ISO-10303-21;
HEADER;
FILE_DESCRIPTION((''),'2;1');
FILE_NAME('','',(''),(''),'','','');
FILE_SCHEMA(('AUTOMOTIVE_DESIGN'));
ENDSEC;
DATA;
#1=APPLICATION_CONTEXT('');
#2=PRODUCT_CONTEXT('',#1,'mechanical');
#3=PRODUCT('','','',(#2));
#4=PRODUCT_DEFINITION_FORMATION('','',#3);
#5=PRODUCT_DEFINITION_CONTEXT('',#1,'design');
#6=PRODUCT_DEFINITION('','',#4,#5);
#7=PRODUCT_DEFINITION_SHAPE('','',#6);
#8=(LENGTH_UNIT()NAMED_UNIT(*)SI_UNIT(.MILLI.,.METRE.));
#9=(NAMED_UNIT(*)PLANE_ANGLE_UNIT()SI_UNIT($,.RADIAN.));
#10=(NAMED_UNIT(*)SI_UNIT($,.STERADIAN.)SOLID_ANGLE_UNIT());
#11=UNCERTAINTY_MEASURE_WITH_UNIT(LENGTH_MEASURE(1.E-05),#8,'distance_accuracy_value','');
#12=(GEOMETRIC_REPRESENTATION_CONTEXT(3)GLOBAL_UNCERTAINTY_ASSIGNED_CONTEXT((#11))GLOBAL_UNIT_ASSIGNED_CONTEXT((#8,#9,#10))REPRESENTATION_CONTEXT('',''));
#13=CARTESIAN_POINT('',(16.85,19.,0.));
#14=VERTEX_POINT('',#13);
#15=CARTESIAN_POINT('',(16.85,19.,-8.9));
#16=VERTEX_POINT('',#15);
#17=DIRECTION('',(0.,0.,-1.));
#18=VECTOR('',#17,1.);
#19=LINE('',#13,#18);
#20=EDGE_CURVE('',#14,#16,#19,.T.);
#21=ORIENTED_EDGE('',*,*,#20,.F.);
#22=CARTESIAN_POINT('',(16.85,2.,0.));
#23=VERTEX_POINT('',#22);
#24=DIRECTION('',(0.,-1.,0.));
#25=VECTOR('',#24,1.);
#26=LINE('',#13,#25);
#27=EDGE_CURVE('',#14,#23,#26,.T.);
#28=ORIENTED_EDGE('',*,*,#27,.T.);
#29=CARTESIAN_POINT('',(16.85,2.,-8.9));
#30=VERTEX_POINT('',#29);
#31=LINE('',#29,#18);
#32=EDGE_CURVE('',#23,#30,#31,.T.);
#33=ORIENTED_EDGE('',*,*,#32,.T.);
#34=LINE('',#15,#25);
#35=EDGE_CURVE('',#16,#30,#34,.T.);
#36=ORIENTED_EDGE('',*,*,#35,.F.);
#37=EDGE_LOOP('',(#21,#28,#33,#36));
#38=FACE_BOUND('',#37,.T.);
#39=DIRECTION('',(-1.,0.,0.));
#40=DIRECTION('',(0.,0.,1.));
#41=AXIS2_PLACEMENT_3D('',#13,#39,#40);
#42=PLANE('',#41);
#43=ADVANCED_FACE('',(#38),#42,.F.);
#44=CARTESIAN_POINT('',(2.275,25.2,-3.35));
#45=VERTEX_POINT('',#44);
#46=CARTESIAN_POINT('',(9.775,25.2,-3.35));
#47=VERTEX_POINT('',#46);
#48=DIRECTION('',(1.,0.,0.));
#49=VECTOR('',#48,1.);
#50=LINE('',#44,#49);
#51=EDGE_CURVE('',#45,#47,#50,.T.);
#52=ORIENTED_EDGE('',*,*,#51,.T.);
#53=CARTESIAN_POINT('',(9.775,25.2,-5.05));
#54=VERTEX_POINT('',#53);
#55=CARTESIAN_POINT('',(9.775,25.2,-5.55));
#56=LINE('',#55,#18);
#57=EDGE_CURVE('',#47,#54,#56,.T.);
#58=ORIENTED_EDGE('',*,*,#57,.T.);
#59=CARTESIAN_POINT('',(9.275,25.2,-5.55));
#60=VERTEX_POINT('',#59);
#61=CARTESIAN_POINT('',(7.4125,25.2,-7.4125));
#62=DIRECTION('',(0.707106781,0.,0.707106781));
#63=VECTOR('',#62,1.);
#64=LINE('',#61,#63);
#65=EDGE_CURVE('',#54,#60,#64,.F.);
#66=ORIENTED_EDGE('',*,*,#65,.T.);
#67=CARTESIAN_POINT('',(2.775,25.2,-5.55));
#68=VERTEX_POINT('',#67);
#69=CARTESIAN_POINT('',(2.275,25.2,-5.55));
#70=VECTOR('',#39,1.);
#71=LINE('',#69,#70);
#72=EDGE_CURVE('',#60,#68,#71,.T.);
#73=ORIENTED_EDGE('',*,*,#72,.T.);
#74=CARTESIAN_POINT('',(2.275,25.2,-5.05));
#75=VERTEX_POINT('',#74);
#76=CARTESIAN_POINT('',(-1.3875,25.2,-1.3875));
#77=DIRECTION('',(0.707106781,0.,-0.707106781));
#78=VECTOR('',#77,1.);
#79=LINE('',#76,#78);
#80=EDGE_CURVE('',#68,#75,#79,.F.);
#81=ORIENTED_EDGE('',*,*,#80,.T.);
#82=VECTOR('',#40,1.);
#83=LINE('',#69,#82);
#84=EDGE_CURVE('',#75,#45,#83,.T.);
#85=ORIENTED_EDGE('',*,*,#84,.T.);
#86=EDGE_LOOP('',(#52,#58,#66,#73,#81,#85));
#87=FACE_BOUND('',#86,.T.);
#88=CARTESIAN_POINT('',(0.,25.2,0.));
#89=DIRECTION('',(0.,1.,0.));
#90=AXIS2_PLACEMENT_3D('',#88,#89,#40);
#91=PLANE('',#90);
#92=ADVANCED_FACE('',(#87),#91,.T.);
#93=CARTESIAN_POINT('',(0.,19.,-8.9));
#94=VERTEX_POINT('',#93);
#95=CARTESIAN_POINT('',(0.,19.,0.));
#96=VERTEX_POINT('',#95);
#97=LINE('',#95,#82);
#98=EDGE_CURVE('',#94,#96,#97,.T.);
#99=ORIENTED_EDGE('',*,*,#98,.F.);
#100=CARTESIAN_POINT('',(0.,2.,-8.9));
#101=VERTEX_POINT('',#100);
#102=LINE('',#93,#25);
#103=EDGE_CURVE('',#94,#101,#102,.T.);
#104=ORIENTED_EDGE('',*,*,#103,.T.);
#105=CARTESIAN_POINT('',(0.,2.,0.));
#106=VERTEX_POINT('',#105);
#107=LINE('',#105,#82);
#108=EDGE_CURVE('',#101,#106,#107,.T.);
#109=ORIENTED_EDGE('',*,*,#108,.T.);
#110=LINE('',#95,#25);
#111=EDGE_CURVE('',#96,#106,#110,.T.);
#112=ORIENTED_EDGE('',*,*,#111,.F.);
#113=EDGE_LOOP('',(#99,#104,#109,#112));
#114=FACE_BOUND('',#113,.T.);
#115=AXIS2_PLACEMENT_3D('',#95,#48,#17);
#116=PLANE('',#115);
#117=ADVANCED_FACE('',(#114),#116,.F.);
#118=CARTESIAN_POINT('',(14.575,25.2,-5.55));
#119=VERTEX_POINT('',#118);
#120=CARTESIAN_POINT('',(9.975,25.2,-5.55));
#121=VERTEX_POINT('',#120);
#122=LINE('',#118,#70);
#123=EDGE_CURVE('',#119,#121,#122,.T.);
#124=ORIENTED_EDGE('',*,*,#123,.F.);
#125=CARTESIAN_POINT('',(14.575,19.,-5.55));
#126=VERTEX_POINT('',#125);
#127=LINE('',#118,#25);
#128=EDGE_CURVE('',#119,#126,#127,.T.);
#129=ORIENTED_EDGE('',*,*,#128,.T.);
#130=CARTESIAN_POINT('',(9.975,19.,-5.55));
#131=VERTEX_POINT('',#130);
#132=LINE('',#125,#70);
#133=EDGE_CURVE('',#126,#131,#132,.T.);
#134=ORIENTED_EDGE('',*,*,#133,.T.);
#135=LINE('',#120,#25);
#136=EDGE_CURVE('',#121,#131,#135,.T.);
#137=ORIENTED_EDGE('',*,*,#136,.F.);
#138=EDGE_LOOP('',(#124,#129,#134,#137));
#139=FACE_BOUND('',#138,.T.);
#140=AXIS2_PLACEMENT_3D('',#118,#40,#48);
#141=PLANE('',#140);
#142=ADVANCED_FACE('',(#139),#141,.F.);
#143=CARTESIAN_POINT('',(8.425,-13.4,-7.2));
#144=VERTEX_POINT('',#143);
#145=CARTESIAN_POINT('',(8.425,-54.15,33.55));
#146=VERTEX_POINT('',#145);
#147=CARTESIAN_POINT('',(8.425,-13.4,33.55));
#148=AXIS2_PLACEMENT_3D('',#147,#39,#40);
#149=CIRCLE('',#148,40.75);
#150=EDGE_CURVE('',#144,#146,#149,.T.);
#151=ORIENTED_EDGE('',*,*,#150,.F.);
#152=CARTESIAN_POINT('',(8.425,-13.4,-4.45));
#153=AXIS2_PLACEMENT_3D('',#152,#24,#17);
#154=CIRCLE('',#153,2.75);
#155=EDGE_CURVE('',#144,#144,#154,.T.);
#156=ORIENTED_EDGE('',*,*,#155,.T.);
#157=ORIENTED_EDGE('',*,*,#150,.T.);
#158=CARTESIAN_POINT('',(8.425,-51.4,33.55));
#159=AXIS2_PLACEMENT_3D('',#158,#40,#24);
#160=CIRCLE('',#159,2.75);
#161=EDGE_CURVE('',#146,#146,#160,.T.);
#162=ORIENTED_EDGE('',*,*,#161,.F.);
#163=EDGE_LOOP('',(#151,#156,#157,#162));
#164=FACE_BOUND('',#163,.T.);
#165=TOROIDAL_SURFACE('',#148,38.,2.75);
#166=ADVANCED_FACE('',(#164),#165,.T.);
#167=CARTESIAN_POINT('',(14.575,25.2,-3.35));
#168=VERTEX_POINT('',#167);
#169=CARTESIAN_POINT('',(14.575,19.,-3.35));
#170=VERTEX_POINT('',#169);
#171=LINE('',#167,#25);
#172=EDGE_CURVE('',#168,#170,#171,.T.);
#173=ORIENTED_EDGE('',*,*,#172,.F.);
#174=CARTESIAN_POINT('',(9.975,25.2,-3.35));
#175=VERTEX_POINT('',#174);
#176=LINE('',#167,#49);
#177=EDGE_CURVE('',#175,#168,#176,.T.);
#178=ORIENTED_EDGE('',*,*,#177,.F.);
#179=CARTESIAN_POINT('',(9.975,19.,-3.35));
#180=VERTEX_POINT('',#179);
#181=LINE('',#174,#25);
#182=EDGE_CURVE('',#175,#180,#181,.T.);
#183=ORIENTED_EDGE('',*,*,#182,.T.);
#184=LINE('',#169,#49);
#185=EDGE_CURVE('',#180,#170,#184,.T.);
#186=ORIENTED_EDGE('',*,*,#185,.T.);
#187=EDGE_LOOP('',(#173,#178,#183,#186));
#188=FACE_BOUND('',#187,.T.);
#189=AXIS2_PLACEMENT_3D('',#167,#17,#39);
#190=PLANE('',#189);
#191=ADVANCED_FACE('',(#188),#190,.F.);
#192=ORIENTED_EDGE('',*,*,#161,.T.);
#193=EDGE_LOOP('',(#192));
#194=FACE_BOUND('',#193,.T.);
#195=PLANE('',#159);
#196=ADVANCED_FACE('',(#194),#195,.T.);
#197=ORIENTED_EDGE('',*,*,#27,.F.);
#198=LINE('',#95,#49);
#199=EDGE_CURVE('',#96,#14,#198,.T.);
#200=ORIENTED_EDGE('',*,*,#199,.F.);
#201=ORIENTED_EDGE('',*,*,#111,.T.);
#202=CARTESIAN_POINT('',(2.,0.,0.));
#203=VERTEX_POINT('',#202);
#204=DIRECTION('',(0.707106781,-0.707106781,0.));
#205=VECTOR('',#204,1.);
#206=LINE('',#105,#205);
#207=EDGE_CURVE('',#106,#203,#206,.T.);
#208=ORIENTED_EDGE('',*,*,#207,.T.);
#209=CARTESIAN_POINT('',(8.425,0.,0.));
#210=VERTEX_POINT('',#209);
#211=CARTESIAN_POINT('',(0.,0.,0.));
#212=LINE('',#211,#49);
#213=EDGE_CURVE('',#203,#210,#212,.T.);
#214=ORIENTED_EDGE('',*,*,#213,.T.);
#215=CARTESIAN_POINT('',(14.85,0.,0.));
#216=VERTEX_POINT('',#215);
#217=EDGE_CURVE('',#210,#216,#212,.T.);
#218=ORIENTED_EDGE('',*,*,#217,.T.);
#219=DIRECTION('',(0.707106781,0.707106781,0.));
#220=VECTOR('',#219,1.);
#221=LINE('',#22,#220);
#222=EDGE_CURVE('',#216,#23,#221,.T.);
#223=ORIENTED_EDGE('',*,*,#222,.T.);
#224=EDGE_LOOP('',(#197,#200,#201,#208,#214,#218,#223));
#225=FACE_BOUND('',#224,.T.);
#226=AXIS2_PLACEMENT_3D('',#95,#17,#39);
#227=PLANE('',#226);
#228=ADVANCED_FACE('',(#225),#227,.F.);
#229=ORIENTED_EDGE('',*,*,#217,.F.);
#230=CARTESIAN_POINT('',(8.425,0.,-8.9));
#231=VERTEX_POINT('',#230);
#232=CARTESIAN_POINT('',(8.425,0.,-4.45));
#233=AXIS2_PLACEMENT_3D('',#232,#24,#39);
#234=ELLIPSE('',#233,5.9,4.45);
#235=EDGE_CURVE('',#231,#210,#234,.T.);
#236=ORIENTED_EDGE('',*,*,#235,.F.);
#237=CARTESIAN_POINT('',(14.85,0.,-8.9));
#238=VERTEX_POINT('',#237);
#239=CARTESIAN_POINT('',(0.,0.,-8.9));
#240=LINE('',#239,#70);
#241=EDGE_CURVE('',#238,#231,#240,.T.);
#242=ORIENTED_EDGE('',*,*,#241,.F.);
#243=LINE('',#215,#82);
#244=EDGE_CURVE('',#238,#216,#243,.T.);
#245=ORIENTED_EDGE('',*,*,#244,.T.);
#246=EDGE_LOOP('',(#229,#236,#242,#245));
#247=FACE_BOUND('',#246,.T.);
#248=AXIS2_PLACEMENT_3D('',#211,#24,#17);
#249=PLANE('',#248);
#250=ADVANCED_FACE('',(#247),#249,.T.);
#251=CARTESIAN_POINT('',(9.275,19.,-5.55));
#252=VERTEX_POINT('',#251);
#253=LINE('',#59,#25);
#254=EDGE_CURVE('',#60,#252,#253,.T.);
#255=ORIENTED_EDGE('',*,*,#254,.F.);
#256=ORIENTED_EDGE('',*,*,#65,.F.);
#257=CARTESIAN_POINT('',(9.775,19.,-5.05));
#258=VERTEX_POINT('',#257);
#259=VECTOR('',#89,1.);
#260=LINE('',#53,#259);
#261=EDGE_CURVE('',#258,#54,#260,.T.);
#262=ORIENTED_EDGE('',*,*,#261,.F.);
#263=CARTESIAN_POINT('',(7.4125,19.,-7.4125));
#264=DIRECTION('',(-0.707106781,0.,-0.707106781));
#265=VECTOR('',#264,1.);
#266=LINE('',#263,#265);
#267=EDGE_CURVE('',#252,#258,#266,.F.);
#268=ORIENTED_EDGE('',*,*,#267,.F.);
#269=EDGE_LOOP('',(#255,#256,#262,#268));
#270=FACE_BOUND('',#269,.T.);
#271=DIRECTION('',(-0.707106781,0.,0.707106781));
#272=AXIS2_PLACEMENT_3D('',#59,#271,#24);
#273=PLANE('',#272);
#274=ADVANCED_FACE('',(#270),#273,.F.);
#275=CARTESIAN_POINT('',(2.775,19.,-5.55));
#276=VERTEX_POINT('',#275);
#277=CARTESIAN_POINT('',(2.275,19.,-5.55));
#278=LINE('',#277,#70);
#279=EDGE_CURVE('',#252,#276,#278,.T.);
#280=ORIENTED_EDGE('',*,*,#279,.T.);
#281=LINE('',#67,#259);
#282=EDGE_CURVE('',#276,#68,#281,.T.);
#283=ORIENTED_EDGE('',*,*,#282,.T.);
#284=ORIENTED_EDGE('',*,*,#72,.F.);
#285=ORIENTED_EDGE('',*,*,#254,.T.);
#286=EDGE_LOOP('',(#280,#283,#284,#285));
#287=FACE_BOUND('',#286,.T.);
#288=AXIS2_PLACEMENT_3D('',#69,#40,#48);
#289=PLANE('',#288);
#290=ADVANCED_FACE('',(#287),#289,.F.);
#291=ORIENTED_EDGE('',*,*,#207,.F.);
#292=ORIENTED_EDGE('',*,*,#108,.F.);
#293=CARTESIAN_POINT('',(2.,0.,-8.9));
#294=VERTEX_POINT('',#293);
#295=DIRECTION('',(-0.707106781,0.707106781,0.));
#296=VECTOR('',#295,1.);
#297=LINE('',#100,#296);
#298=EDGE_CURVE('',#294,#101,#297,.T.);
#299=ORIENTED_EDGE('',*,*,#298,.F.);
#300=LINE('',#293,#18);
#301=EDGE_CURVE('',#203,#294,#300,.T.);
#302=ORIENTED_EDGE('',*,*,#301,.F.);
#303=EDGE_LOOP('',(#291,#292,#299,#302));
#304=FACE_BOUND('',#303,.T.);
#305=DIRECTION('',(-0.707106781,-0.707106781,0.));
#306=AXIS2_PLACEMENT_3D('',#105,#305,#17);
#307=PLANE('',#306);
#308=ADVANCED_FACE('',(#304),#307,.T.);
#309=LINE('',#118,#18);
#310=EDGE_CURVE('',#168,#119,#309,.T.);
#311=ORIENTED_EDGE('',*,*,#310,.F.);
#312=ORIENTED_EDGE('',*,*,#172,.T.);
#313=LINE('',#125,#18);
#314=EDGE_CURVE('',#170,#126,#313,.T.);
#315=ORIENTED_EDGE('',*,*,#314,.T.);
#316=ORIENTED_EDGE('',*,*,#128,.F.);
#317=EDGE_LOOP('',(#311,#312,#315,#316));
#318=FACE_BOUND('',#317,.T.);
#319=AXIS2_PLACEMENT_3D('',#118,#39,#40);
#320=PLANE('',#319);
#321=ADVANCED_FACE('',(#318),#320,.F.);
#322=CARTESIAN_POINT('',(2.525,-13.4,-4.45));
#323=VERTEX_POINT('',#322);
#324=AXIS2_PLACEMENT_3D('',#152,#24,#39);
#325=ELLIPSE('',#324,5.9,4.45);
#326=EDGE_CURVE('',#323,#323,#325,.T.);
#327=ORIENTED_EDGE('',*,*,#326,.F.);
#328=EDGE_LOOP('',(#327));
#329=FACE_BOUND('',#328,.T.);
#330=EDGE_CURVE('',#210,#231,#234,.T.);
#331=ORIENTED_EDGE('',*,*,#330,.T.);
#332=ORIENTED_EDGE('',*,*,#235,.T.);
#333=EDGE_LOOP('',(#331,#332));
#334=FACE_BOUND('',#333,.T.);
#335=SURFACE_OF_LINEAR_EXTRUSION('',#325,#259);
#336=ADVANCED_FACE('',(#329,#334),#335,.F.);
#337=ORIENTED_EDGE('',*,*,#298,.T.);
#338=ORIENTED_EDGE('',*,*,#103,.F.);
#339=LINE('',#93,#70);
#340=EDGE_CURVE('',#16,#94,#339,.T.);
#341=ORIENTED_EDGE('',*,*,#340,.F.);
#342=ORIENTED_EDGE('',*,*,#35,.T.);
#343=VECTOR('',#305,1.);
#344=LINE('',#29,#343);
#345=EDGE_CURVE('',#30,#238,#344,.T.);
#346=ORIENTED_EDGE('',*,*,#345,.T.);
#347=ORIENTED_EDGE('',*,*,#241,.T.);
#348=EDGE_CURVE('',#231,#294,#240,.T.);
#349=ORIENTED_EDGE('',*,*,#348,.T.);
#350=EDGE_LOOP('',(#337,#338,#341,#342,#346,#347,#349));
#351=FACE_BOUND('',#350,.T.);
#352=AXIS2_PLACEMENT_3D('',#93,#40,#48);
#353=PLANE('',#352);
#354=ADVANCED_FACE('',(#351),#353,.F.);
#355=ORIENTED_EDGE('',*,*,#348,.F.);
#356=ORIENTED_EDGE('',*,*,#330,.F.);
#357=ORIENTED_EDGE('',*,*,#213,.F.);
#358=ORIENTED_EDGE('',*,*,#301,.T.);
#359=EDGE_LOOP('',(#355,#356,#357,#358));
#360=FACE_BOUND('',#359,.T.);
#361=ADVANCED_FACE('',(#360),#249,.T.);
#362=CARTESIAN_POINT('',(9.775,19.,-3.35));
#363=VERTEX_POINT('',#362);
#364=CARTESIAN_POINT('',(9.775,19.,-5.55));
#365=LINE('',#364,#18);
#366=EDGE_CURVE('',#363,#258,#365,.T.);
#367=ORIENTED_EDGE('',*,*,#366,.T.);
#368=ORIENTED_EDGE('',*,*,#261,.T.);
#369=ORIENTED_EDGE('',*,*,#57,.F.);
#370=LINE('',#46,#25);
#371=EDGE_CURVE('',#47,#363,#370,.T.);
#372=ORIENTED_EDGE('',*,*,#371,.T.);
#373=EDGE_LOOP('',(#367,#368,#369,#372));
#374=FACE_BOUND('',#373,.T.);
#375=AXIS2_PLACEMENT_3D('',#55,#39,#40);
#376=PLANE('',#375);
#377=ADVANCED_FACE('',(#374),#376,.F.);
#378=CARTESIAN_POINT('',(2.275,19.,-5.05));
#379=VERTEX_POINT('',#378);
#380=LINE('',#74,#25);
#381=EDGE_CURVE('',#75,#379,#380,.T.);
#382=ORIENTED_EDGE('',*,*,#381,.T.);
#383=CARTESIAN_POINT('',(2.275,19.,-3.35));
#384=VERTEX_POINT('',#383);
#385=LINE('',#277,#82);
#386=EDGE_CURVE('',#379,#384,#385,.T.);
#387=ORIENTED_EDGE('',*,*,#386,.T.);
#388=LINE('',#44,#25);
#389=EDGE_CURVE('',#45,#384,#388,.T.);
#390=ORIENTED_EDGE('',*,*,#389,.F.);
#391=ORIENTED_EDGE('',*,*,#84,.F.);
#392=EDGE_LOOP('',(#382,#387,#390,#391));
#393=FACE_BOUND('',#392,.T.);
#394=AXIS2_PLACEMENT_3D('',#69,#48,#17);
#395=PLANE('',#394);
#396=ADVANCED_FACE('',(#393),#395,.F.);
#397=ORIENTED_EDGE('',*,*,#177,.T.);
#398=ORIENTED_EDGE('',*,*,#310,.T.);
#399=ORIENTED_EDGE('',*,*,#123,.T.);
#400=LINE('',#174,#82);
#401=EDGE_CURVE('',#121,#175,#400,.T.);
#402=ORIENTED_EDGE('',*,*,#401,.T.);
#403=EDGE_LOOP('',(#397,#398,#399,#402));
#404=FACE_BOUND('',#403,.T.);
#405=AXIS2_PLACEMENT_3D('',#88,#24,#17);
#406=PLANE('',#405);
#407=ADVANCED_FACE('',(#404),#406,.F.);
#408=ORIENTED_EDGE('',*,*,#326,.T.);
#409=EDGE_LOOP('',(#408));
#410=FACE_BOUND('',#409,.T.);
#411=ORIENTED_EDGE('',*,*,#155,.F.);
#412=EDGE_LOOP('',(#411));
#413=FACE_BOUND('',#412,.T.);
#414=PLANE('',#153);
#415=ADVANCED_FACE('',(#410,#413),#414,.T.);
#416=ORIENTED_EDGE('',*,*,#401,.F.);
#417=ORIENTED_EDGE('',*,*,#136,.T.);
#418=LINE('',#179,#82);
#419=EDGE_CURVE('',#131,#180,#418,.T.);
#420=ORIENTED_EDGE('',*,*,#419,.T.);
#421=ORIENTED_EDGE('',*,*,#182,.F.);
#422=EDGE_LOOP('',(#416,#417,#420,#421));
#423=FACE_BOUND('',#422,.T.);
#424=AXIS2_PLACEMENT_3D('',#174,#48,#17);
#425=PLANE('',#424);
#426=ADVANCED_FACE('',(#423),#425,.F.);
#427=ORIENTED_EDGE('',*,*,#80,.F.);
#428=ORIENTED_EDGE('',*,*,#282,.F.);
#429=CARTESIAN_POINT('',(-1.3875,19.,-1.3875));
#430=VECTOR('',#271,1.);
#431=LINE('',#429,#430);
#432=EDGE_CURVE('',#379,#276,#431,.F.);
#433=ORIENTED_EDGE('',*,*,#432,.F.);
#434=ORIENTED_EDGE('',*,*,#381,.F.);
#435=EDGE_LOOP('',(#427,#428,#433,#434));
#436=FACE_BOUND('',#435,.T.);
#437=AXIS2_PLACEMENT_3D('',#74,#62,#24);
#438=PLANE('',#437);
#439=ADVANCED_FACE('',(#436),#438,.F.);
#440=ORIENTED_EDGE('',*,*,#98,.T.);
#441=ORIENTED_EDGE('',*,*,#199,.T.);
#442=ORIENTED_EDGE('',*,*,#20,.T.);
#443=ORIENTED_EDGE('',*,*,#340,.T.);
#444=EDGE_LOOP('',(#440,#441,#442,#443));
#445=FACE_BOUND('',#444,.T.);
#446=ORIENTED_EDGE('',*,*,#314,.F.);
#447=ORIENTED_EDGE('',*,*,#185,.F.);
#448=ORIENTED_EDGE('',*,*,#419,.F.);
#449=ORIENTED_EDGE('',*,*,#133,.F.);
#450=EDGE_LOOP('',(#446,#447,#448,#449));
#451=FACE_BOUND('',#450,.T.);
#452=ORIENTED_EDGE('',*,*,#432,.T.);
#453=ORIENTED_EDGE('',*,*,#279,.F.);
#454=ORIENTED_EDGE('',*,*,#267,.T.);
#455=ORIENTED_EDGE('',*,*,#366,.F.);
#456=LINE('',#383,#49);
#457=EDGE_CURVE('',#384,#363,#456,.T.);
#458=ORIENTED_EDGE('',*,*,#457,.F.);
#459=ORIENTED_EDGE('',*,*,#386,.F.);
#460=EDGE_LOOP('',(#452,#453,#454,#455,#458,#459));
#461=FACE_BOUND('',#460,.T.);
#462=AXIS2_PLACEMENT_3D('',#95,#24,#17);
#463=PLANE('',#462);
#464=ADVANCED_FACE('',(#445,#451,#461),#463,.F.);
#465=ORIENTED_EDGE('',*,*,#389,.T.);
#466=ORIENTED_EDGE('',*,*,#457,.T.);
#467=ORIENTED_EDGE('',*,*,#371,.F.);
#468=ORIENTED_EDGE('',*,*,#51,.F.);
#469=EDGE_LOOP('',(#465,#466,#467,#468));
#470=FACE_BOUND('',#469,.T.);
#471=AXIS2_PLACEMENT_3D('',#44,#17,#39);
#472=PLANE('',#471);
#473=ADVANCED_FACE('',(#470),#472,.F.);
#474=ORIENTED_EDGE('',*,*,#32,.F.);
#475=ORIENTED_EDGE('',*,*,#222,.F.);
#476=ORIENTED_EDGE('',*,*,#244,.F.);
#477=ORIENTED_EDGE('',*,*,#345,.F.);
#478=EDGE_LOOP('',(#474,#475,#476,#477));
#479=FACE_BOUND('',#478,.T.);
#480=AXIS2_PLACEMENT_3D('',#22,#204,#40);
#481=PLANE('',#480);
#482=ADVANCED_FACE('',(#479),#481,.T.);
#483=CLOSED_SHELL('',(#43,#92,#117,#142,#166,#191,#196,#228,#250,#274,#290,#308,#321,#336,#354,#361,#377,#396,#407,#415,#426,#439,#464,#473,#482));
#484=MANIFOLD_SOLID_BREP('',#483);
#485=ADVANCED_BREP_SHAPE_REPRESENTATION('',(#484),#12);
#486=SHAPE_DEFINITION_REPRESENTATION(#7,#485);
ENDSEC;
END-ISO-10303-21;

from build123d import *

# Parameters (mm, degrees)
SKETCH1_W           = 16.85
SKETCH1_H           = 8.9
BOSS_EXTRUDE1_DEPTH = 19
SKETCH2_W           = 7.5
SKETCH2_H           = 2.2
SKETCH2_W_2         = 4.6
BOSS_EXTRUDE2_DEPTH = 6.2
CHAMFER1_SIZE       = 0.5
SKETCH3_RX          = 5.9
SKETCH3_RY          = 4.45
BOSS_EXTRUDE3_DEPTH = 13.4
CHAMFER2_SIZE       = 2
SKETCH4_R           = 2.75


with BuildPart() as part:
    # Sketch1 → Boss-Extrude1 (new body)
    with BuildSketch(Plane(origin=(0, 0, 0), x_dir=(1, 0, 0), z_dir=(0, 1, 0))):
        with Locations((8.425, 4.45)):
            Rectangle(SKETCH1_W, SKETCH1_H)
    extrude(amount=BOSS_EXTRUDE1_DEPTH)

    # Sketch2 → Boss-Extrude2 (add)
    with BuildSketch(Plane(origin=(0, 19, 0), x_dir=(1, 0, 0), z_dir=(0, 1, 0))):
        with Locations((6.025, 4.45)):
            Rectangle(SKETCH2_W, SKETCH2_H)
        with Locations((12.275, 4.45)):
            Rectangle(SKETCH2_W_2, SKETCH2_H)
    extrude(amount=BOSS_EXTRUDE2_DEPTH)

    # Chamfer1
    chamfer1_edges = [part.edges().sort_by_distance(p)[0] for p in [
        (2.275, 22.1, -5.55),
        (9.775, 22.1, -5.55),
    ]]
    chamfer(chamfer1_edges, length=CHAMFER1_SIZE)

    # Sketch3 → Boss-Extrude3 (add)
    with BuildSketch(Plane.XZ):
        with Locations(Location((8.425, -4.45), (0, 0, 180))):
            Ellipse(SKETCH3_RX, SKETCH3_RY)
    extrude(amount=BOSS_EXTRUDE3_DEPTH)

    # Chamfer2
    chamfer2_edges = [part.edges().sort_by_distance(p)[0] for p in [
        (16.85, 0, -4.45),
        (0, 0, -4.45),
    ]]
    chamfer(chamfer2_edges, length=CHAMFER2_SIZE)

    # Sweep2: sweep along a path in Sketch6
    with BuildLine(Plane(origin=(0, 0, 0), x_dir=(0, 0, -1), z_dir=(1, 0, 0))) as sweep2_path:
        ThreePointArc((4.45, -13.4), (-6.679942315, -40.270057685), (-33.55, -51.4))
    # Sketch4 → Sweep2 (sweep)
    with BuildSketch(Plane.XZ.offset(13.4)):
        with Locations((8.425, -4.45)):
            Circle(SKETCH4_R)
    sweep(path=sweep2_path.line)


solid = part.part
